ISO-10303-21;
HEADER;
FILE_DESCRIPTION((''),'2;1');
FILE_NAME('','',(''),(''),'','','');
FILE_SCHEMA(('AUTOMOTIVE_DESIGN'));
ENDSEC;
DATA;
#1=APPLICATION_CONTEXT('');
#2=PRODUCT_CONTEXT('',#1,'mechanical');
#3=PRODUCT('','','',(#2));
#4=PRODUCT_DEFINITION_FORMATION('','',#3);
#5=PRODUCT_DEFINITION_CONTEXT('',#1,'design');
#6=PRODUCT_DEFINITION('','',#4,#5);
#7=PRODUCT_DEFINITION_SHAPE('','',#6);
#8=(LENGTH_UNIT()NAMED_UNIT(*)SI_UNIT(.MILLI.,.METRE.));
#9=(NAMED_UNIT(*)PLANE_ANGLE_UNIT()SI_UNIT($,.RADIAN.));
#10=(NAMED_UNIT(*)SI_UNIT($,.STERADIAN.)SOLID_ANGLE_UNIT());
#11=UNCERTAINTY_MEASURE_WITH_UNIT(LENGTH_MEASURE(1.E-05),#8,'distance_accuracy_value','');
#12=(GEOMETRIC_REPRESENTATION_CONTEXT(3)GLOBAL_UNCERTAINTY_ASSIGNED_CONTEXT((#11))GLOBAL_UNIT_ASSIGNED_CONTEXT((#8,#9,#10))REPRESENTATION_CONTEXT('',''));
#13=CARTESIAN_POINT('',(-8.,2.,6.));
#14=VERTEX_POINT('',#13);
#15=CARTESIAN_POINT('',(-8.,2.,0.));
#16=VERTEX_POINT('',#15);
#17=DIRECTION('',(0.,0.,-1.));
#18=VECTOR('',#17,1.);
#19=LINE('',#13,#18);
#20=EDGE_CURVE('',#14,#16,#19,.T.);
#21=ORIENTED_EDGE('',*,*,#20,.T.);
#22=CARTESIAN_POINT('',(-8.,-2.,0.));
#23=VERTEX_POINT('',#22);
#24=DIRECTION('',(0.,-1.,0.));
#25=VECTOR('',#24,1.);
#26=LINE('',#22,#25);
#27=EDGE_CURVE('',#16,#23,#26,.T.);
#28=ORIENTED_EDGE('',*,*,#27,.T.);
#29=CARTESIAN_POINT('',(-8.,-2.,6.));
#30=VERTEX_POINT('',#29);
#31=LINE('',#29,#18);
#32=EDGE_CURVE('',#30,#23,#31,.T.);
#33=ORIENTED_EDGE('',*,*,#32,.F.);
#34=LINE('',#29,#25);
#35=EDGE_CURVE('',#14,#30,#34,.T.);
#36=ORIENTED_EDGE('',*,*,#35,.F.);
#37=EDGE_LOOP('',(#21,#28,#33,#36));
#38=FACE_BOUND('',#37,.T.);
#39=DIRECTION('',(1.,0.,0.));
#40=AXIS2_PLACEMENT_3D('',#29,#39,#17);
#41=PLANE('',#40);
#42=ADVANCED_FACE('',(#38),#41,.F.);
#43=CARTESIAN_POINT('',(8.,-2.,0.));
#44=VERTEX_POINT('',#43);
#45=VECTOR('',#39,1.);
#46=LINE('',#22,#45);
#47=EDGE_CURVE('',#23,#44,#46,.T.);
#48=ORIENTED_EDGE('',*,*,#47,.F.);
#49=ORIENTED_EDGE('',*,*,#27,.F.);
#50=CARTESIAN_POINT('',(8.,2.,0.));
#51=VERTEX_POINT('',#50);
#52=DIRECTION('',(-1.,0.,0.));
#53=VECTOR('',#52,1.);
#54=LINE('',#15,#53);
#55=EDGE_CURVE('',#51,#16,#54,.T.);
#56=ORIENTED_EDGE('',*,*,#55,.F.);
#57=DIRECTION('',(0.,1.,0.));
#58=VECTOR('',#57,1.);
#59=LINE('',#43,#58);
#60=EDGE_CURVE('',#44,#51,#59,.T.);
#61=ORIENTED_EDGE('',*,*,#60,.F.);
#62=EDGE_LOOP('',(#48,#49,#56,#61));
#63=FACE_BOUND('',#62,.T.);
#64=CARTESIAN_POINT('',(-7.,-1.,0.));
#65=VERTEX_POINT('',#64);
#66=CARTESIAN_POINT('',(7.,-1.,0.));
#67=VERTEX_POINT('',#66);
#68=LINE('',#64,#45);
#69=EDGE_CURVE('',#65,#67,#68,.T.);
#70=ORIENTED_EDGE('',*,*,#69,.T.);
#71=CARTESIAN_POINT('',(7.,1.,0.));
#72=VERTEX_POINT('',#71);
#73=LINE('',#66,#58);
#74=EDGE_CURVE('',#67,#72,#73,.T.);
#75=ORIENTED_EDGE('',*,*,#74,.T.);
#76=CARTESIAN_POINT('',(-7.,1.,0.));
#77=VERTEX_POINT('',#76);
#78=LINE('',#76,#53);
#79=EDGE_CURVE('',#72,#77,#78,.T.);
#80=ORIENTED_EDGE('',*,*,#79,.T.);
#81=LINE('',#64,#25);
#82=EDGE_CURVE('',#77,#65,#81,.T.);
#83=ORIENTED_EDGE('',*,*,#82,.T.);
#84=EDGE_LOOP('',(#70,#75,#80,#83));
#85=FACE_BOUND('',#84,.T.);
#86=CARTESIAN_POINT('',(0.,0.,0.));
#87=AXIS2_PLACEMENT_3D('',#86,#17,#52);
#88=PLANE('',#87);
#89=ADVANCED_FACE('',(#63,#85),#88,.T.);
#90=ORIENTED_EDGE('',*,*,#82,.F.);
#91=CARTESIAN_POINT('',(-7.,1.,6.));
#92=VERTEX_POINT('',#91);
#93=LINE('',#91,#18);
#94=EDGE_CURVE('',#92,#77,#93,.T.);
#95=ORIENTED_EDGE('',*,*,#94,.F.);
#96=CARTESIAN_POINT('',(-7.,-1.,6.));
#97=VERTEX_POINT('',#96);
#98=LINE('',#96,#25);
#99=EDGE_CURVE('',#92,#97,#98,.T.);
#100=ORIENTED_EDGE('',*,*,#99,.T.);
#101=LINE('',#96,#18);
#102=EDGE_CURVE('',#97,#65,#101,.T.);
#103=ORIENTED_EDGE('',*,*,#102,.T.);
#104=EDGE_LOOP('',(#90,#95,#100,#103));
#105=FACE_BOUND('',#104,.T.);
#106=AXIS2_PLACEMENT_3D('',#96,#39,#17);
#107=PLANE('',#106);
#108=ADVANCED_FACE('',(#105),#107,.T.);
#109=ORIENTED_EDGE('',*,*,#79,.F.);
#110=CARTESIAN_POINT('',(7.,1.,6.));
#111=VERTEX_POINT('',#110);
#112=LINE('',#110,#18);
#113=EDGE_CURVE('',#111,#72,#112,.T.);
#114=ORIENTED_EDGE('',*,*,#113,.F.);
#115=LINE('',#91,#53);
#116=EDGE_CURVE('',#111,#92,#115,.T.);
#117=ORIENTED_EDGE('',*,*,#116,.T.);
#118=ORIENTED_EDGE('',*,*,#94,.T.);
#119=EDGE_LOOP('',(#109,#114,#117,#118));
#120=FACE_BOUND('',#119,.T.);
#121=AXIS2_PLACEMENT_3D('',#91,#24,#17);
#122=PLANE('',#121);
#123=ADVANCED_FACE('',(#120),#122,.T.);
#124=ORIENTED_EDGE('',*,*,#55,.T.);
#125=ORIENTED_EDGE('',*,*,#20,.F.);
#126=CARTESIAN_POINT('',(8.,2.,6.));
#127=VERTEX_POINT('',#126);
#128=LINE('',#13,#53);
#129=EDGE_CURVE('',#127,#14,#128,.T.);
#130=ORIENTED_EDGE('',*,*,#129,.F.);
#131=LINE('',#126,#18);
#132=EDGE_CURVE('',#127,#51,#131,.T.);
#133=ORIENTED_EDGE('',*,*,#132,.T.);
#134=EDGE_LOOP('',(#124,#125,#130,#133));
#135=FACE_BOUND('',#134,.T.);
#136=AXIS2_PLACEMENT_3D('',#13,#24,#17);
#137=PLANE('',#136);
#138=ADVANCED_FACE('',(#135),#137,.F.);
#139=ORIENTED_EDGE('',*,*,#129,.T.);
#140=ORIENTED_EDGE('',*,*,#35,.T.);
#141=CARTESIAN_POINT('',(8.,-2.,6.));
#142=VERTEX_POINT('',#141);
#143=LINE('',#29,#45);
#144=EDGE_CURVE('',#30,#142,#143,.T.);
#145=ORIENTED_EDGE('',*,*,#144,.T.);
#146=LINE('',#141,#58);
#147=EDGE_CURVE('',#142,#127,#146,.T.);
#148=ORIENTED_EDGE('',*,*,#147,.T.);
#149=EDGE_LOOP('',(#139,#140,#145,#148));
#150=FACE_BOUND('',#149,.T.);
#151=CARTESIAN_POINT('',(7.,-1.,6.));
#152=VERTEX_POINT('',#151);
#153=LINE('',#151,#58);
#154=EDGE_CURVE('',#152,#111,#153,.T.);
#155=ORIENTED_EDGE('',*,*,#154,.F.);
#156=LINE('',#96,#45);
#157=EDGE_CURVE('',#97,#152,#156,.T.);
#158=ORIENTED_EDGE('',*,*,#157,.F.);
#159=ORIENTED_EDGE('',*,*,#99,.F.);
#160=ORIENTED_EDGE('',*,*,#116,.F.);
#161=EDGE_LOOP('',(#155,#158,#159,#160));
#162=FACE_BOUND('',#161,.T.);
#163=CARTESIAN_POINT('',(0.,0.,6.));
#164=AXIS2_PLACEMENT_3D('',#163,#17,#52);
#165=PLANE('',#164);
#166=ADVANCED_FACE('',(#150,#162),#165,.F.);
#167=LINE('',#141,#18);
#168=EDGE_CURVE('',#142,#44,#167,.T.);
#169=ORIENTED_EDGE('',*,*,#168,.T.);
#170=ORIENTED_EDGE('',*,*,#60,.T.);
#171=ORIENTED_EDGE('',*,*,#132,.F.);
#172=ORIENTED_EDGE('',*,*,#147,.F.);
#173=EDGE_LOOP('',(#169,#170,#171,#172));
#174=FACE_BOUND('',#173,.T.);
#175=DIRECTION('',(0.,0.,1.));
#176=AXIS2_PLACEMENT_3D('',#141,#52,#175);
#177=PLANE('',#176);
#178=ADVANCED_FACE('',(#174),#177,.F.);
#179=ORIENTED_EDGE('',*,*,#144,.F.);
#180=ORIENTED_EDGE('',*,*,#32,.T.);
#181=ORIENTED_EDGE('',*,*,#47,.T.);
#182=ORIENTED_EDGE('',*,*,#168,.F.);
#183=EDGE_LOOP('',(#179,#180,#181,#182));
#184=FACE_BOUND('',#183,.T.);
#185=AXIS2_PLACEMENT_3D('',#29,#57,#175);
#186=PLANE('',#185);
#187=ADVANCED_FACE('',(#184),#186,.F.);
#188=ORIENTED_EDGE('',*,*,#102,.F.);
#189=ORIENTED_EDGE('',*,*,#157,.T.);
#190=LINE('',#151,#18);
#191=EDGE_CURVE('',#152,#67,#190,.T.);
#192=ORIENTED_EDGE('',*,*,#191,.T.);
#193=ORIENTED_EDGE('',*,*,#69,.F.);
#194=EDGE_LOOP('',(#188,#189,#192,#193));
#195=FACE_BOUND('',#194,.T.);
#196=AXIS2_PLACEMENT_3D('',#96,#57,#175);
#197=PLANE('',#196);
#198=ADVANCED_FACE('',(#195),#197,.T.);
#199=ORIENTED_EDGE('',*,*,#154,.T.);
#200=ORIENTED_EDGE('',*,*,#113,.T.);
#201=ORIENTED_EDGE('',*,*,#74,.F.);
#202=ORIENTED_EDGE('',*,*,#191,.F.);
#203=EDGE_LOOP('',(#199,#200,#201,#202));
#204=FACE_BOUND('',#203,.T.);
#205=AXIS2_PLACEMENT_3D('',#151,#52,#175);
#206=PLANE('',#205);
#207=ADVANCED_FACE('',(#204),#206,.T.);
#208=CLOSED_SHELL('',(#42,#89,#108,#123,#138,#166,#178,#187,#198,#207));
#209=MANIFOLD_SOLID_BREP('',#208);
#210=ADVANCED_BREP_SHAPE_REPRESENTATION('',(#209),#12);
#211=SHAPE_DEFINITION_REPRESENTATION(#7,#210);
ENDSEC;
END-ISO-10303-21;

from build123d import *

# Parameters (mm, degrees)
SKETCH_1_W      = 16
SKETCH_1_H      = 4
SKETCH_1_W_2    = 14
SKETCH_1_H_2    = 2
EXTRUDE_1_DEPTH = 6


with BuildPart() as part:
    # 草图1 → 凸台-拉伸1 (new body)
    with BuildSketch(Plane.XY):
        Rectangle(SKETCH_1_W, SKETCH_1_H)
        Rectangle(SKETCH_1_W_2, SKETCH_1_H_2, mode=Mode.SUBTRACT)
    extrude(amount=EXTRUDE_1_DEPTH)


solid = part.part
